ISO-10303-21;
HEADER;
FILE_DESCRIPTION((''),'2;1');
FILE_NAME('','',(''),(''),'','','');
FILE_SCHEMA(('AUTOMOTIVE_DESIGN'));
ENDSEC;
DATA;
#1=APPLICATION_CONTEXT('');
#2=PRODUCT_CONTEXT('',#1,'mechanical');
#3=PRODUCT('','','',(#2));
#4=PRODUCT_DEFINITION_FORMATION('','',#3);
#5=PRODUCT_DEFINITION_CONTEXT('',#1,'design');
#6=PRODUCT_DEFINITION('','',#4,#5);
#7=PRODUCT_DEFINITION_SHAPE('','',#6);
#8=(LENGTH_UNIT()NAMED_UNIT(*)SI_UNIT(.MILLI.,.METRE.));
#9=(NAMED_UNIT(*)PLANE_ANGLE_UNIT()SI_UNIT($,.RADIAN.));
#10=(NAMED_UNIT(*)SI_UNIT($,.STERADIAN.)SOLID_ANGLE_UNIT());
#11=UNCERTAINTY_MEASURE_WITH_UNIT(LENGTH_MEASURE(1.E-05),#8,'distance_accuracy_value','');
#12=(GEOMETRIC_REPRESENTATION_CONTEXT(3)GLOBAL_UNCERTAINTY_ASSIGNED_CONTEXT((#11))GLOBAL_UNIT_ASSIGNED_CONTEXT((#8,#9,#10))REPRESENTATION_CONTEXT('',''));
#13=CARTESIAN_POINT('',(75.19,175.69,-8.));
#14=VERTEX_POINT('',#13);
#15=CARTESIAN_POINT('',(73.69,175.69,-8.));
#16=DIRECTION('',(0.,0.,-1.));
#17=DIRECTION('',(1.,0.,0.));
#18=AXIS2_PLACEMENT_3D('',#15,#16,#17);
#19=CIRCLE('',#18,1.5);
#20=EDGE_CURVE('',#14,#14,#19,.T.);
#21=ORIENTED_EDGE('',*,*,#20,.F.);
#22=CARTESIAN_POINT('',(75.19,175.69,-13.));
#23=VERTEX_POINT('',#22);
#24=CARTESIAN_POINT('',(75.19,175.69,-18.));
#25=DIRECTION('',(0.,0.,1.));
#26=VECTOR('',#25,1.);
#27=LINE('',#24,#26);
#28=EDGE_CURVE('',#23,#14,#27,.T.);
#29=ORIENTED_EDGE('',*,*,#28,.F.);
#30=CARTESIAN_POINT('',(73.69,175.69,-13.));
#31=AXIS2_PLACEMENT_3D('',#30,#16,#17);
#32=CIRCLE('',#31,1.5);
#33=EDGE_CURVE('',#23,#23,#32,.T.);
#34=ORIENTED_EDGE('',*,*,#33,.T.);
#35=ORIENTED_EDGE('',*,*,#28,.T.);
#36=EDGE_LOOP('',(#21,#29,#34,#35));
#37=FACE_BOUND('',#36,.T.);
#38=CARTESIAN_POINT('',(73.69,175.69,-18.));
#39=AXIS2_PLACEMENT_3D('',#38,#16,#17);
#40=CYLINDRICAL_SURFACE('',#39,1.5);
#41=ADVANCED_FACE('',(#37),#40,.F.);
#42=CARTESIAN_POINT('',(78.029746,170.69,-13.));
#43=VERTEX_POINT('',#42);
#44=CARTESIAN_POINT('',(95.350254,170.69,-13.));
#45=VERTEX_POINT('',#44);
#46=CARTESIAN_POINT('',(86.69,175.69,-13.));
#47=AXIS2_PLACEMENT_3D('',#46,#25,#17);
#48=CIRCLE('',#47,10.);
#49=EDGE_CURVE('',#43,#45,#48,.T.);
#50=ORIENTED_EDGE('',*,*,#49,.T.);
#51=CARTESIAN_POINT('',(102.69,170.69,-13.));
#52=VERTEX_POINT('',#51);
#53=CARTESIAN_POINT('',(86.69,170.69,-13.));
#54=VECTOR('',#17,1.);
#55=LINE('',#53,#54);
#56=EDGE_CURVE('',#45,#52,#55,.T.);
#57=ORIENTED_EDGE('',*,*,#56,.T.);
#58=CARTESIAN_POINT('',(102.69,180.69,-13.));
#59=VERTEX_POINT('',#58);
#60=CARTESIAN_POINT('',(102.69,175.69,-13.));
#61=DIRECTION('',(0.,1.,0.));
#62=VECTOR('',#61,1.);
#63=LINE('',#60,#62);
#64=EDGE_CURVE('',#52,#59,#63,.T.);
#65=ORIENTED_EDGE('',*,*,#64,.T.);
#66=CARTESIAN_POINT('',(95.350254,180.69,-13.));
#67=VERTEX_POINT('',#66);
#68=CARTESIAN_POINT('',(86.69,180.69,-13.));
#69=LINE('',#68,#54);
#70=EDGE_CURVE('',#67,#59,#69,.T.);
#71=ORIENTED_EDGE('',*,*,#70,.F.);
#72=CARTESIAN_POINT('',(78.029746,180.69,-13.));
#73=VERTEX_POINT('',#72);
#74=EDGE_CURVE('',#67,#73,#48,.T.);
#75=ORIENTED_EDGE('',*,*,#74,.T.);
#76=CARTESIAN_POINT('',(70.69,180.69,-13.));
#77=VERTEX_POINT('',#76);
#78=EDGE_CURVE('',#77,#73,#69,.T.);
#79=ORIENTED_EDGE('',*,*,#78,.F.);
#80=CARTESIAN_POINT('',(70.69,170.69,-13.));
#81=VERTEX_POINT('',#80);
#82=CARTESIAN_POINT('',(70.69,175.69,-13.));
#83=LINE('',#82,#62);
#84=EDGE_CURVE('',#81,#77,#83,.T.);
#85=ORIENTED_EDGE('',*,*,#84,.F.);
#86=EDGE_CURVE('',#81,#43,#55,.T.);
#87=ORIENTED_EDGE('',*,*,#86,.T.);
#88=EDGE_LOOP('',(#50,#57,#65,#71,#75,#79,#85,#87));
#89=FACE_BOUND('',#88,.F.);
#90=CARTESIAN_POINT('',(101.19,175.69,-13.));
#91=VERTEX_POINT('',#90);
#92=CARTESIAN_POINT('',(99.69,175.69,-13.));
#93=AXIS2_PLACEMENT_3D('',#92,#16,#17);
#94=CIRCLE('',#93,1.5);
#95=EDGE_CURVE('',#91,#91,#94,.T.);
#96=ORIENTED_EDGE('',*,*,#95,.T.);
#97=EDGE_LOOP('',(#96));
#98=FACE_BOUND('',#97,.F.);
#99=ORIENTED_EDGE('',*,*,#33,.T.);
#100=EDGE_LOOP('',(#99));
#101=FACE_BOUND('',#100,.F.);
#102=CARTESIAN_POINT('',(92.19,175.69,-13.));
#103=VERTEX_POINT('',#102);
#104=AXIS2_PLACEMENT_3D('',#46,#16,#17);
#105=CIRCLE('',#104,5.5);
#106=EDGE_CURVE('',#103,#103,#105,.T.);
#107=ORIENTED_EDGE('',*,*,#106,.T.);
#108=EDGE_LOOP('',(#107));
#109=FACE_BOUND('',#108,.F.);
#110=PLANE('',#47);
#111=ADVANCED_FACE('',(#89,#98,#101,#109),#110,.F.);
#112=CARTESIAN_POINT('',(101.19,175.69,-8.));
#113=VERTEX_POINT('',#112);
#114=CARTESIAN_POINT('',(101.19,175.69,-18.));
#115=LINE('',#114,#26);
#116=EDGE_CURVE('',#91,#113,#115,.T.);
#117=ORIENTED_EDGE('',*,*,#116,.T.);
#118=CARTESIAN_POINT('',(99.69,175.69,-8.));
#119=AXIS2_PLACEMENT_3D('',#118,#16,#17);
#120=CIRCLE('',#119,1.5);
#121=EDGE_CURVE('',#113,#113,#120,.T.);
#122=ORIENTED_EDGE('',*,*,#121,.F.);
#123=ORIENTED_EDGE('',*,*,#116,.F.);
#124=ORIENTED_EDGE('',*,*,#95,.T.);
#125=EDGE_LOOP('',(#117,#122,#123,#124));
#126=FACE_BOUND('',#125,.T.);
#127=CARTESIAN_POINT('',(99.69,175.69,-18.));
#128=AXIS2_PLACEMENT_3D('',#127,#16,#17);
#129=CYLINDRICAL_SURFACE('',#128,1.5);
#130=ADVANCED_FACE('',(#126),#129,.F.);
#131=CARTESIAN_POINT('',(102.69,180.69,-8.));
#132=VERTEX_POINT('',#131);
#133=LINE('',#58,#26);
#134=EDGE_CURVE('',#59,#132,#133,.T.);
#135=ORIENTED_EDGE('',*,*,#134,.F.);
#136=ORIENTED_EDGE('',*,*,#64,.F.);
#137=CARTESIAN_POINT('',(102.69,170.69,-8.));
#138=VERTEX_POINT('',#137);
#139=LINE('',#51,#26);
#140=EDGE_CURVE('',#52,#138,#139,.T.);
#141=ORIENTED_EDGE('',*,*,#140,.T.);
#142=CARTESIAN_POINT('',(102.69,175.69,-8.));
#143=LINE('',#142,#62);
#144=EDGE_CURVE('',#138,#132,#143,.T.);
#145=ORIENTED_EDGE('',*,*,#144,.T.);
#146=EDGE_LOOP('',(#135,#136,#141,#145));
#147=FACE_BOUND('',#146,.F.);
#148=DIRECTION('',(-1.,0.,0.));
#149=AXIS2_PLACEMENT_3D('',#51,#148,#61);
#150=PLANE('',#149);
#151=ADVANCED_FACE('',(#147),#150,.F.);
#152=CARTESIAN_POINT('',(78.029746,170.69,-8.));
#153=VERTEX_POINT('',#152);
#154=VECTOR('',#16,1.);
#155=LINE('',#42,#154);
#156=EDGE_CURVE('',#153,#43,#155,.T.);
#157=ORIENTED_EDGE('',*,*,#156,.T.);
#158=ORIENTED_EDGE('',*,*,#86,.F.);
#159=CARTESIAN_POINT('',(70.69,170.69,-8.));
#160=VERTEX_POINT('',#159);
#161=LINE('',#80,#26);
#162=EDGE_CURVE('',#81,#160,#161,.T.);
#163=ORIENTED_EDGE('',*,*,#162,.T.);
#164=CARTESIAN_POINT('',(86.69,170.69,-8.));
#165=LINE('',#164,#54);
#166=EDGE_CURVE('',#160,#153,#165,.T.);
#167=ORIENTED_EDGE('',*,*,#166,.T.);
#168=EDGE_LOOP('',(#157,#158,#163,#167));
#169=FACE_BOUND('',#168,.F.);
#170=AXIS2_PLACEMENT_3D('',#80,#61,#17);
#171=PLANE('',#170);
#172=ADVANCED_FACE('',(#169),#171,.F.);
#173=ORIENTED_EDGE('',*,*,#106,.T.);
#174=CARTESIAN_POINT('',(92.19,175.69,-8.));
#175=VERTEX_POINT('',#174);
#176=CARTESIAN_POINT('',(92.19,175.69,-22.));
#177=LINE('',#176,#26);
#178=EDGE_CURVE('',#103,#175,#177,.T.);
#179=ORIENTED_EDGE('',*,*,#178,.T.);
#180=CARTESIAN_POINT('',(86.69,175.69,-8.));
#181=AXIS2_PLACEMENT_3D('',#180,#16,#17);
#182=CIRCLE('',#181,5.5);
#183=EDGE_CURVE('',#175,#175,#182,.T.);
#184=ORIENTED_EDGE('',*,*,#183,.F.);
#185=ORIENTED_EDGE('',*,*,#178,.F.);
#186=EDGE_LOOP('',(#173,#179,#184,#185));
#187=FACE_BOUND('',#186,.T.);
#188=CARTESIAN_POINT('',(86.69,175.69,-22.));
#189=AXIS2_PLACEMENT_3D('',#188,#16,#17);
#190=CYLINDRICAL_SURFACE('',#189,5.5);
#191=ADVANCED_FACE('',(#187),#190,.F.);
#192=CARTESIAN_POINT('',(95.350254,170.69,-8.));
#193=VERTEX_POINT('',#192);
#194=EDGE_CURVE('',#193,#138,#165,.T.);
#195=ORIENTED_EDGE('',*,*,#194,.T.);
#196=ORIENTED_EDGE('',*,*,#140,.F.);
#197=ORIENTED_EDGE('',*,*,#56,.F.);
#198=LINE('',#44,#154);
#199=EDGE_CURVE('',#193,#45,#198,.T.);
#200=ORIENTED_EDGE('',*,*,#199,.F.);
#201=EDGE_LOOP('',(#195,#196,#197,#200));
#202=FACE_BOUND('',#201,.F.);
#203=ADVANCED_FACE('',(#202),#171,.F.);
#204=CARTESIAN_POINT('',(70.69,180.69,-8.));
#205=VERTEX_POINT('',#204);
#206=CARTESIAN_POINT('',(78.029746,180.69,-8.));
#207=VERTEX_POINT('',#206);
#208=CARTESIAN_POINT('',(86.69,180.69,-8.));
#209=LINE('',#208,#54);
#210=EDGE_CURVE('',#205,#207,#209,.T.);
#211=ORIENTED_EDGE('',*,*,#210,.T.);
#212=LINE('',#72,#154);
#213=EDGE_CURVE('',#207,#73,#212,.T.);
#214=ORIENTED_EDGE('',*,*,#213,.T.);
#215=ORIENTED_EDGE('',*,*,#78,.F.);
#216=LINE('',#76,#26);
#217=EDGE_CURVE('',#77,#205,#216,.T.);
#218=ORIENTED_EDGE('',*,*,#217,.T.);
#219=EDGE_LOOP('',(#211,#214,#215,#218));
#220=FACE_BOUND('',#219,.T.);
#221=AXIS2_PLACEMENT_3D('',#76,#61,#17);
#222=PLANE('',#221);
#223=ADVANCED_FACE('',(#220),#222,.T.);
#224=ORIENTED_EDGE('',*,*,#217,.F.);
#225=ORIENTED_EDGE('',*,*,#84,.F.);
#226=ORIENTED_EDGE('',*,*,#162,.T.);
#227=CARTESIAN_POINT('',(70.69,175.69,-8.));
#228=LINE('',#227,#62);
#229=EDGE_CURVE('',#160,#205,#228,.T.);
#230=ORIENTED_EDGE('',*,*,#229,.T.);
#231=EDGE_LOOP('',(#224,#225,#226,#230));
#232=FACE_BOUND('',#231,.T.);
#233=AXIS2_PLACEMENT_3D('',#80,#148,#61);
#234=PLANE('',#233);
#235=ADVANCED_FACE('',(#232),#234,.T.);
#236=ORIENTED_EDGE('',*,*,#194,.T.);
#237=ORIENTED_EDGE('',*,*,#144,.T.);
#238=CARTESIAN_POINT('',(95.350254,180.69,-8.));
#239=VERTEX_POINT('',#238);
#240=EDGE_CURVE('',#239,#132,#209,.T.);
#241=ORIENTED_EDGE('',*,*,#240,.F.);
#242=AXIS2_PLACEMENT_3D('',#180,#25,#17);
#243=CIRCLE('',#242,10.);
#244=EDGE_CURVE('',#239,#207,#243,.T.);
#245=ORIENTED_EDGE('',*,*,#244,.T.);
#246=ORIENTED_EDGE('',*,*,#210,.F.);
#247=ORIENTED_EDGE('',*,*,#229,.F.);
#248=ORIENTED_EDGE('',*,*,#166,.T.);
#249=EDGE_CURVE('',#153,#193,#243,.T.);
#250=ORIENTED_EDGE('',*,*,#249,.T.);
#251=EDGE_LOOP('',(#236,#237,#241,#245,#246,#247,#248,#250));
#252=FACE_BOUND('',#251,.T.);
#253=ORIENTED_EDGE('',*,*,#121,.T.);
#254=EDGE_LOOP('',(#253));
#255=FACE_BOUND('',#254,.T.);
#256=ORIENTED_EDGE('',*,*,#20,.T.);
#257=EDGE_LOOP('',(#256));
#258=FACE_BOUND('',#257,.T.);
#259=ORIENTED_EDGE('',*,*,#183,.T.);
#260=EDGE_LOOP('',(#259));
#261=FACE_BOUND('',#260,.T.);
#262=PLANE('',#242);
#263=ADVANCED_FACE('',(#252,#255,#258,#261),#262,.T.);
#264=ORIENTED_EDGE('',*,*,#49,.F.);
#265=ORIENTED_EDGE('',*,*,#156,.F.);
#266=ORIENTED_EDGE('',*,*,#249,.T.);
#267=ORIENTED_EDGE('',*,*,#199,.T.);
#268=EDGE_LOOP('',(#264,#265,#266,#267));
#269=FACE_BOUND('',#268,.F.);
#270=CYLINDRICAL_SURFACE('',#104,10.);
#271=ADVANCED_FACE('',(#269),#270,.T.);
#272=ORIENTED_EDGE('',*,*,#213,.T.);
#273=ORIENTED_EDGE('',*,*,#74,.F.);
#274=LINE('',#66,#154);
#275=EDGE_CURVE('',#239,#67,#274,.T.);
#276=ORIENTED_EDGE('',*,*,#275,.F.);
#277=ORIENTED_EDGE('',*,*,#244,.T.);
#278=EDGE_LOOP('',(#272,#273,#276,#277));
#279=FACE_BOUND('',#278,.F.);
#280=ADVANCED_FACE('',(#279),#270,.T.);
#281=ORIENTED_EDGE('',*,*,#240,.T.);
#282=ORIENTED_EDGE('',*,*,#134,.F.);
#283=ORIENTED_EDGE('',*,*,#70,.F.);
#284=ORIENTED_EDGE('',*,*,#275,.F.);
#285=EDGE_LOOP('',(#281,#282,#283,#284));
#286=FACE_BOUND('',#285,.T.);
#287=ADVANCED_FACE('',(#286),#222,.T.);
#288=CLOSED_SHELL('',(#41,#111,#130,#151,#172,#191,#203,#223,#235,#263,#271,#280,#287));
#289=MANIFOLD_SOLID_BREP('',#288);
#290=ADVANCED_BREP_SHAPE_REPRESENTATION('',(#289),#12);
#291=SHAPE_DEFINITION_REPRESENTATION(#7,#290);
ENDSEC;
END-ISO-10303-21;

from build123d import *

# Parameters (mm, degrees)
CYLINDER115_R     = 1.5
CYLINDER115_DEPTH = 11
CYLINDER113_R     = 5.5
CYLINDER113_DEPTH = 46
CYLINDER114_R     = 1.5
CYLINDER114_DEPTH = 11
BOX019_W          = 32
BOX019_H          = 10
BOX019_DEPTH      = 5
CYLINDER112_R     = 10
CYLINDER112_DEPTH = 5
CYLINDER111_R     = 7
CYLINDER111_DEPTH = 5


with BuildPart() as ftthreaded008:
    # Cylinder115 → Cylinder115 (new body)
    with BuildSketch(Plane(origin=(99.69, 175.69, -10), x_dir=(1, 0, 0), z_dir=(0, 0, 1))):
        Circle(CYLINDER115_R)
    extrude(amount=CYLINDER115_DEPTH)


with BuildPart() as rffeeds009:
    # Cylinder113 → Cylinder113 (new body)
    with BuildSketch(Plane(origin=(86.69, 175.69, -14), x_dir=(1, 0, 0), z_dir=(0, 0, 1))):
        Circle(CYLINDER113_R)
    extrude(amount=CYLINDER113_DEPTH)


with BuildPart() as fusion049:
    # Cylinder114 → Cylinder114 (new body)
    with BuildSketch(Plane(origin=(73.69, 175.69, -10), x_dir=(1, 0, 0), z_dir=(0, 0, 1))):
        Circle(CYLINDER114_R)
    extrude(amount=CYLINDER114_DEPTH)

    # Fusion049: union FTThreaded008, RFFeeds009
    add(ftthreaded008.part)
    add(rffeeds009.part)


with BuildPart() as rffeedlug001:
    # Box019 → Box019 (new body)
    with BuildSketch(Plane(origin=(70.69, 170.69, -5), x_dir=(1, 0, 0), z_dir=(0, 0, 1))):
        with Locations((16, 5)):
            Rectangle(BOX019_W, BOX019_H)
    extrude(amount=BOX019_DEPTH)


with BuildPart() as rffeeds008:
    # Cylinder112 → Cylinder112 (new body)
    with BuildSketch(Plane(origin=(86.69, 175.69, -5), x_dir=(1, 0, 0), z_dir=(0, 0, 1))):
        Circle(CYLINDER112_R)
    extrude(amount=CYLINDER112_DEPTH)


with BuildPart() as rfftbackplate:
    # Cylinder111 → Cylinder111 (new body)
    with BuildSketch(Plane(origin=(86.69, 175.69, -5), x_dir=(1, 0, 0), z_dir=(0, 0, 1))):
        Circle(CYLINDER111_R)
    extrude(amount=CYLINDER111_DEPTH)

    # Fusion048: union RFFeedLug001, RFFeeds008
    add(rffeedlug001.part)
    add(rffeeds008.part)

    # Cut014: cut Fusion049
    add(fusion049.part, mode=Mode.SUBTRACT)


with BuildPart() as rfftbackplate_1:
    # Cut014 placement: moved
    add(rfftbackplate.part.moved(Location((0, 0, -8))))


solid = rfftbackplate_1.part
